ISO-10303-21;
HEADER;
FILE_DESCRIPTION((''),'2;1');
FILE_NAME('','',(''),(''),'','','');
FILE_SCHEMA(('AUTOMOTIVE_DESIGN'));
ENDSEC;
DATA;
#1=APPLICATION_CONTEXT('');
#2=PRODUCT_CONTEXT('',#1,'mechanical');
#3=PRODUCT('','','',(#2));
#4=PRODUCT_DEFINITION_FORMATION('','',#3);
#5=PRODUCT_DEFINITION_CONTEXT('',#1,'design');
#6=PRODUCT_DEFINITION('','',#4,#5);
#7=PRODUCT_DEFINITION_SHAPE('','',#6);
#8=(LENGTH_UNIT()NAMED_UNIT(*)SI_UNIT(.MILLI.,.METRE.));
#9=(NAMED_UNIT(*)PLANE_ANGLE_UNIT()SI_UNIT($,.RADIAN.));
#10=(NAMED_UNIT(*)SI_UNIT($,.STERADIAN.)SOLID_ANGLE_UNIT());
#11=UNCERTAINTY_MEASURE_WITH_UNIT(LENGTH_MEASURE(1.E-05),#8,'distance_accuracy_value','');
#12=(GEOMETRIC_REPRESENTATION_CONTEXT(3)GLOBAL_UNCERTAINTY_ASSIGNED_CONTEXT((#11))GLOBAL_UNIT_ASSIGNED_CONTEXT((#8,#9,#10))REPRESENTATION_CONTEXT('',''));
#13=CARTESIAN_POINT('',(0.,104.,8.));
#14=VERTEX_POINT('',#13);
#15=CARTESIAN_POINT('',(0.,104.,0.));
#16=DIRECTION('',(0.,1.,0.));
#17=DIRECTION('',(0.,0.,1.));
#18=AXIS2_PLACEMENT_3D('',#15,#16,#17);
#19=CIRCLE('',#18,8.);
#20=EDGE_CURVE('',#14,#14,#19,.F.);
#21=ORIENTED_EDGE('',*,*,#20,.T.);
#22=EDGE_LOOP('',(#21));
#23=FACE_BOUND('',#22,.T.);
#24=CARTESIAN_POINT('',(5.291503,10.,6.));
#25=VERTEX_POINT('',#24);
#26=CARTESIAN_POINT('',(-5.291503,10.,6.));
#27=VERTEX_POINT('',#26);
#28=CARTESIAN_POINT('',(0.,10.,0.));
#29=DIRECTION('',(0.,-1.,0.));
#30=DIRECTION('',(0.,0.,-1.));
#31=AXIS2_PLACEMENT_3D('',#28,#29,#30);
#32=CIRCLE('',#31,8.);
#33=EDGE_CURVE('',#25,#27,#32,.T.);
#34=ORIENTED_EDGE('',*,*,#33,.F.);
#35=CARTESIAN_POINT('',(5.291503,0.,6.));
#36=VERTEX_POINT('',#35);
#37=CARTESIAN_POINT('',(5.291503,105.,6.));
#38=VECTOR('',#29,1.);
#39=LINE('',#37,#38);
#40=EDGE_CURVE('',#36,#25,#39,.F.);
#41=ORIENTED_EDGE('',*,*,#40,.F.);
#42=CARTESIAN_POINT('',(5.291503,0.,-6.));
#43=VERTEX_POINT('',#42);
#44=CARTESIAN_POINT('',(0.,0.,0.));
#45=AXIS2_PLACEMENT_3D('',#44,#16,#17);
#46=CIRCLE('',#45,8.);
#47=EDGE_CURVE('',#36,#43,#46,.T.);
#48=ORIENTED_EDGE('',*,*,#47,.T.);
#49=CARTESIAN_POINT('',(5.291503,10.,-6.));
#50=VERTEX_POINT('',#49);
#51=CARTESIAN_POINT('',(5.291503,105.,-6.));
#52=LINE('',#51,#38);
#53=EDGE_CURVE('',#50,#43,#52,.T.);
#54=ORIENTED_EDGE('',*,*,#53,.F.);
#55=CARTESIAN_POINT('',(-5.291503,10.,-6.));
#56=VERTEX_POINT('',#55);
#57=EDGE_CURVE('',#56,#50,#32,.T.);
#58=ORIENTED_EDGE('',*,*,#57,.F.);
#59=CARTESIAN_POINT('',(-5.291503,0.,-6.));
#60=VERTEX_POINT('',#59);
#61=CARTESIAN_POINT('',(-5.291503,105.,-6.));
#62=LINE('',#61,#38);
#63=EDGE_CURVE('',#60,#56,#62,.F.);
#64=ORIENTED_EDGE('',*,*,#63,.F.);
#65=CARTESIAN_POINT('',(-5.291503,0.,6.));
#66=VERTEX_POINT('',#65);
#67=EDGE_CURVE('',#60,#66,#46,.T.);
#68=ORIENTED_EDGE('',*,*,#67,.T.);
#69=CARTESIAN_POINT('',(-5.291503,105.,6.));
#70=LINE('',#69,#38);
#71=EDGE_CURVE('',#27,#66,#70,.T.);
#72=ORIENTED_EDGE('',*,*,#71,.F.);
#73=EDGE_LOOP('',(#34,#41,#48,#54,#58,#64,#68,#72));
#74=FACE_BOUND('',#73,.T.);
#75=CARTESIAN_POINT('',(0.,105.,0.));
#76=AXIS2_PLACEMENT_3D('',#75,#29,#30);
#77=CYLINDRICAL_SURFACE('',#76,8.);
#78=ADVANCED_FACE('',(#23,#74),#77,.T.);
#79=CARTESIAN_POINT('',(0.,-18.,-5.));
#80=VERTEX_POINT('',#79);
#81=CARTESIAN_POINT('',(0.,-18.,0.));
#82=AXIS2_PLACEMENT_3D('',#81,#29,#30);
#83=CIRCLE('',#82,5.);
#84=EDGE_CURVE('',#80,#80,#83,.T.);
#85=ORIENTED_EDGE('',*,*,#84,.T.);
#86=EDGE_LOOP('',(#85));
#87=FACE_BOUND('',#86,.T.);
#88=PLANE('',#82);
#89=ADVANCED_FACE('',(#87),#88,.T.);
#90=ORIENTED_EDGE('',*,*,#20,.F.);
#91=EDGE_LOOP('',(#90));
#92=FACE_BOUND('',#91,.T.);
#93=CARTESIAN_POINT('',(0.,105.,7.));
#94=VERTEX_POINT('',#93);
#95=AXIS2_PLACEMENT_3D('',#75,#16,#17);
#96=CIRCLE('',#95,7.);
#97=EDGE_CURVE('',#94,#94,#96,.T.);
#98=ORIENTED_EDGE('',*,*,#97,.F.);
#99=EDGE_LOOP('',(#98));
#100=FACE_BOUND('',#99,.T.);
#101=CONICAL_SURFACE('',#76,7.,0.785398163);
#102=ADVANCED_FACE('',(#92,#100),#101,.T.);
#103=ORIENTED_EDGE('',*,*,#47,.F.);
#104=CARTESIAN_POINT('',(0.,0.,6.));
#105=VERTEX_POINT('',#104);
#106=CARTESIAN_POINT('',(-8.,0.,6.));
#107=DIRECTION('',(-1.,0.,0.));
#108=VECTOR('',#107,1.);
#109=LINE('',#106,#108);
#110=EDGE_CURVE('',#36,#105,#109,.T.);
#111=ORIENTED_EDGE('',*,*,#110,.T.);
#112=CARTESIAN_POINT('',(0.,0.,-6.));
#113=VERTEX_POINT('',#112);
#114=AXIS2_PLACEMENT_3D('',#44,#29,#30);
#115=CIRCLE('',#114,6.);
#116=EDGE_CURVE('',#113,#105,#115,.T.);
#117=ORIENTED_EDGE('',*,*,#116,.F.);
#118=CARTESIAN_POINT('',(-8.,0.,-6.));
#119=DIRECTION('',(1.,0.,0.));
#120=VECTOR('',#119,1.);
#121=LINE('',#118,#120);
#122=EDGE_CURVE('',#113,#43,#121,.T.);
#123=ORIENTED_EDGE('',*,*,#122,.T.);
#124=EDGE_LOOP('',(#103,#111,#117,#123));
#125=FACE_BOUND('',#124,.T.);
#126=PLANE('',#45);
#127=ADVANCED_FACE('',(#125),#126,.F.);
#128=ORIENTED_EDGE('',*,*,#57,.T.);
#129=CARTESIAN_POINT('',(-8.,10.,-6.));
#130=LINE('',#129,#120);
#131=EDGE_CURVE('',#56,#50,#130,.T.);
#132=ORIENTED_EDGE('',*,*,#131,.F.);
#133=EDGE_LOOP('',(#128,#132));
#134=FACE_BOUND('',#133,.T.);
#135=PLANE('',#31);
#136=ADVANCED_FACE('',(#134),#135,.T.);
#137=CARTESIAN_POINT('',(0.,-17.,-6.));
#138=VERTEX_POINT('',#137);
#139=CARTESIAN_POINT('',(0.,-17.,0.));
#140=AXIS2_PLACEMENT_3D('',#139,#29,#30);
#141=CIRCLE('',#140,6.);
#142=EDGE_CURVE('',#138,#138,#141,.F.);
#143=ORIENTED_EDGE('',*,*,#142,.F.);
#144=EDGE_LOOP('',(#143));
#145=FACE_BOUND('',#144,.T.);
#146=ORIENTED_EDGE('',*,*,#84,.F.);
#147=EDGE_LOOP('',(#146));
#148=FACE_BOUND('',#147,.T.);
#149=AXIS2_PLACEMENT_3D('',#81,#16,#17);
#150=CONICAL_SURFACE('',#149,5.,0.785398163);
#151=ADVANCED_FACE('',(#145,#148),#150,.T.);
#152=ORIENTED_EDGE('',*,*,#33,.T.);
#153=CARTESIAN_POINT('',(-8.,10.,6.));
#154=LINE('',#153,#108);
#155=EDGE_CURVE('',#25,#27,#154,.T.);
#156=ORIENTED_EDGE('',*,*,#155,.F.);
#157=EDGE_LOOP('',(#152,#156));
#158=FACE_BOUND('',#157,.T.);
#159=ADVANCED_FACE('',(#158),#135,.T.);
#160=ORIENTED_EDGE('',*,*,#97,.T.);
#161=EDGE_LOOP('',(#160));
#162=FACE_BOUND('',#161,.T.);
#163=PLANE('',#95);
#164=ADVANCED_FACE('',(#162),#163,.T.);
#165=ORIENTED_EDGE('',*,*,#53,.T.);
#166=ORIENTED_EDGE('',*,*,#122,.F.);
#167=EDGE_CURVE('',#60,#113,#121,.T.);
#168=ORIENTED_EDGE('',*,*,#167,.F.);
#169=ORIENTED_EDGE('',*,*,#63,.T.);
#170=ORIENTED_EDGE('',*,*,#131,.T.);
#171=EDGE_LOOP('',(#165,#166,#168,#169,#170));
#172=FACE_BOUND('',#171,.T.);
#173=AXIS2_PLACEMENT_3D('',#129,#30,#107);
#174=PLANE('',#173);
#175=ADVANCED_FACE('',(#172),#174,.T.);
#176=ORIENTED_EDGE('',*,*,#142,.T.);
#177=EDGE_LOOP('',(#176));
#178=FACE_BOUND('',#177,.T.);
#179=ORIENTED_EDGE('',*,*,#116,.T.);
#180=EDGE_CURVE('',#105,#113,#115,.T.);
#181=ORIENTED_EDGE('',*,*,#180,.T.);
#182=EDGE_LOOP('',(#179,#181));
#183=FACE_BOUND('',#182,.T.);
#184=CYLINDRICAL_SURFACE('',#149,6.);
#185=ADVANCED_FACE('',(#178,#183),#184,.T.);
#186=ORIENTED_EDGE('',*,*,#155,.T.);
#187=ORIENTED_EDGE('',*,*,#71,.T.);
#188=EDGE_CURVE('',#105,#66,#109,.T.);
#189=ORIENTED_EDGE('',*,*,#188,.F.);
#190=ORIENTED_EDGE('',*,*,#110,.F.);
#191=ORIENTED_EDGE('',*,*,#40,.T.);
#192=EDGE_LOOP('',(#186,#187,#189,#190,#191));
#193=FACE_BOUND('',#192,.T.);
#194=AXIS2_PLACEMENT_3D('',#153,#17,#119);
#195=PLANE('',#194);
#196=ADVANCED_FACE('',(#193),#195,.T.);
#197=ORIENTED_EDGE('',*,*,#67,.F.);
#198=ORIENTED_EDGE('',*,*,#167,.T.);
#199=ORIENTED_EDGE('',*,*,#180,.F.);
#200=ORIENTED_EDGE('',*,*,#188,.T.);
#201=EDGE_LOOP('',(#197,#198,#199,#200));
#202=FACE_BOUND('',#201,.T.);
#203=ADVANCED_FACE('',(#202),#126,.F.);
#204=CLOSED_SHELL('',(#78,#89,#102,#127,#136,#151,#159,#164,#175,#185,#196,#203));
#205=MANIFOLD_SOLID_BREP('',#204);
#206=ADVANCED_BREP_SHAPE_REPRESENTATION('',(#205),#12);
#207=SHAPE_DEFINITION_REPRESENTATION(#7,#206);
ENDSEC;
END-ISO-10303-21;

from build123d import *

# Parameters (mm, degrees)
ESBO_O1_R                = 8
RESSALTO_EXTRUS_O1_DEPTH = 105
ESBO_O2_R                = 6
RESSALTO_EXTRUS_O2_DEPTH = 18
CHANFRO1_SIZE            = 1
ESBO_O3_OUTSIDE_W        = 43.012
ESBO_O3_OUTSIDE_H        = 43.012
CORTE_EXTRUS_O1_DEPTH    = 10


with BuildPart() as part:
    # Esboço1 → Ressalto-extrusão1 (new body)
    with BuildSketch(Plane(origin=(0, 0, 0), x_dir=(1, 0, 0), z_dir=(0, 1, 0))):
        with Locations(Location((0, 0, 0), (0, 0, 270))):  # turned: the seam where the file's is
            Circle(ESBO_O1_R)
    extrude(amount=RESSALTO_EXTRUS_O1_DEPTH)

    # Esboço2 → Ressalto-extrusão2 (add)
    with BuildSketch(Plane.XZ):
        with Locations(Location((0, 0, 0), (0, 0, 270))):  # turned: the seam where the file's is
            Circle(ESBO_O2_R)
    extrude(amount=RESSALTO_EXTRUS_O2_DEPTH)

    # Chanfro1
    chanfro1_edges = [part.edges().sort_by_distance(p)[0] for p in [
        (0, 105, -8),
        (0, -18, 6),
    ]]
    chamfer(chanfro1_edges, length=CHANFRO1_SIZE)

    # Esboço3 outside → Corte-extrusão1 (cut)
    with BuildSketch(Plane.XZ):
        Rectangle(ESBO_O3_OUTSIDE_W, ESBO_O3_OUTSIDE_H)
        with BuildLine():
            Line((-8, 6), (8, 6))
            ThreePointArc((8, 6), (14, 0), (8, -6))
            Line((8, -6), (-8, -6))
            ThreePointArc((-8, -6), (-14, 0), (-8, 6))
        make_face(mode=Mode.SUBTRACT)
    extrude(amount=-CORTE_EXTRUS_O1_DEPTH, mode=Mode.SUBTRACT)


solid = part.part
